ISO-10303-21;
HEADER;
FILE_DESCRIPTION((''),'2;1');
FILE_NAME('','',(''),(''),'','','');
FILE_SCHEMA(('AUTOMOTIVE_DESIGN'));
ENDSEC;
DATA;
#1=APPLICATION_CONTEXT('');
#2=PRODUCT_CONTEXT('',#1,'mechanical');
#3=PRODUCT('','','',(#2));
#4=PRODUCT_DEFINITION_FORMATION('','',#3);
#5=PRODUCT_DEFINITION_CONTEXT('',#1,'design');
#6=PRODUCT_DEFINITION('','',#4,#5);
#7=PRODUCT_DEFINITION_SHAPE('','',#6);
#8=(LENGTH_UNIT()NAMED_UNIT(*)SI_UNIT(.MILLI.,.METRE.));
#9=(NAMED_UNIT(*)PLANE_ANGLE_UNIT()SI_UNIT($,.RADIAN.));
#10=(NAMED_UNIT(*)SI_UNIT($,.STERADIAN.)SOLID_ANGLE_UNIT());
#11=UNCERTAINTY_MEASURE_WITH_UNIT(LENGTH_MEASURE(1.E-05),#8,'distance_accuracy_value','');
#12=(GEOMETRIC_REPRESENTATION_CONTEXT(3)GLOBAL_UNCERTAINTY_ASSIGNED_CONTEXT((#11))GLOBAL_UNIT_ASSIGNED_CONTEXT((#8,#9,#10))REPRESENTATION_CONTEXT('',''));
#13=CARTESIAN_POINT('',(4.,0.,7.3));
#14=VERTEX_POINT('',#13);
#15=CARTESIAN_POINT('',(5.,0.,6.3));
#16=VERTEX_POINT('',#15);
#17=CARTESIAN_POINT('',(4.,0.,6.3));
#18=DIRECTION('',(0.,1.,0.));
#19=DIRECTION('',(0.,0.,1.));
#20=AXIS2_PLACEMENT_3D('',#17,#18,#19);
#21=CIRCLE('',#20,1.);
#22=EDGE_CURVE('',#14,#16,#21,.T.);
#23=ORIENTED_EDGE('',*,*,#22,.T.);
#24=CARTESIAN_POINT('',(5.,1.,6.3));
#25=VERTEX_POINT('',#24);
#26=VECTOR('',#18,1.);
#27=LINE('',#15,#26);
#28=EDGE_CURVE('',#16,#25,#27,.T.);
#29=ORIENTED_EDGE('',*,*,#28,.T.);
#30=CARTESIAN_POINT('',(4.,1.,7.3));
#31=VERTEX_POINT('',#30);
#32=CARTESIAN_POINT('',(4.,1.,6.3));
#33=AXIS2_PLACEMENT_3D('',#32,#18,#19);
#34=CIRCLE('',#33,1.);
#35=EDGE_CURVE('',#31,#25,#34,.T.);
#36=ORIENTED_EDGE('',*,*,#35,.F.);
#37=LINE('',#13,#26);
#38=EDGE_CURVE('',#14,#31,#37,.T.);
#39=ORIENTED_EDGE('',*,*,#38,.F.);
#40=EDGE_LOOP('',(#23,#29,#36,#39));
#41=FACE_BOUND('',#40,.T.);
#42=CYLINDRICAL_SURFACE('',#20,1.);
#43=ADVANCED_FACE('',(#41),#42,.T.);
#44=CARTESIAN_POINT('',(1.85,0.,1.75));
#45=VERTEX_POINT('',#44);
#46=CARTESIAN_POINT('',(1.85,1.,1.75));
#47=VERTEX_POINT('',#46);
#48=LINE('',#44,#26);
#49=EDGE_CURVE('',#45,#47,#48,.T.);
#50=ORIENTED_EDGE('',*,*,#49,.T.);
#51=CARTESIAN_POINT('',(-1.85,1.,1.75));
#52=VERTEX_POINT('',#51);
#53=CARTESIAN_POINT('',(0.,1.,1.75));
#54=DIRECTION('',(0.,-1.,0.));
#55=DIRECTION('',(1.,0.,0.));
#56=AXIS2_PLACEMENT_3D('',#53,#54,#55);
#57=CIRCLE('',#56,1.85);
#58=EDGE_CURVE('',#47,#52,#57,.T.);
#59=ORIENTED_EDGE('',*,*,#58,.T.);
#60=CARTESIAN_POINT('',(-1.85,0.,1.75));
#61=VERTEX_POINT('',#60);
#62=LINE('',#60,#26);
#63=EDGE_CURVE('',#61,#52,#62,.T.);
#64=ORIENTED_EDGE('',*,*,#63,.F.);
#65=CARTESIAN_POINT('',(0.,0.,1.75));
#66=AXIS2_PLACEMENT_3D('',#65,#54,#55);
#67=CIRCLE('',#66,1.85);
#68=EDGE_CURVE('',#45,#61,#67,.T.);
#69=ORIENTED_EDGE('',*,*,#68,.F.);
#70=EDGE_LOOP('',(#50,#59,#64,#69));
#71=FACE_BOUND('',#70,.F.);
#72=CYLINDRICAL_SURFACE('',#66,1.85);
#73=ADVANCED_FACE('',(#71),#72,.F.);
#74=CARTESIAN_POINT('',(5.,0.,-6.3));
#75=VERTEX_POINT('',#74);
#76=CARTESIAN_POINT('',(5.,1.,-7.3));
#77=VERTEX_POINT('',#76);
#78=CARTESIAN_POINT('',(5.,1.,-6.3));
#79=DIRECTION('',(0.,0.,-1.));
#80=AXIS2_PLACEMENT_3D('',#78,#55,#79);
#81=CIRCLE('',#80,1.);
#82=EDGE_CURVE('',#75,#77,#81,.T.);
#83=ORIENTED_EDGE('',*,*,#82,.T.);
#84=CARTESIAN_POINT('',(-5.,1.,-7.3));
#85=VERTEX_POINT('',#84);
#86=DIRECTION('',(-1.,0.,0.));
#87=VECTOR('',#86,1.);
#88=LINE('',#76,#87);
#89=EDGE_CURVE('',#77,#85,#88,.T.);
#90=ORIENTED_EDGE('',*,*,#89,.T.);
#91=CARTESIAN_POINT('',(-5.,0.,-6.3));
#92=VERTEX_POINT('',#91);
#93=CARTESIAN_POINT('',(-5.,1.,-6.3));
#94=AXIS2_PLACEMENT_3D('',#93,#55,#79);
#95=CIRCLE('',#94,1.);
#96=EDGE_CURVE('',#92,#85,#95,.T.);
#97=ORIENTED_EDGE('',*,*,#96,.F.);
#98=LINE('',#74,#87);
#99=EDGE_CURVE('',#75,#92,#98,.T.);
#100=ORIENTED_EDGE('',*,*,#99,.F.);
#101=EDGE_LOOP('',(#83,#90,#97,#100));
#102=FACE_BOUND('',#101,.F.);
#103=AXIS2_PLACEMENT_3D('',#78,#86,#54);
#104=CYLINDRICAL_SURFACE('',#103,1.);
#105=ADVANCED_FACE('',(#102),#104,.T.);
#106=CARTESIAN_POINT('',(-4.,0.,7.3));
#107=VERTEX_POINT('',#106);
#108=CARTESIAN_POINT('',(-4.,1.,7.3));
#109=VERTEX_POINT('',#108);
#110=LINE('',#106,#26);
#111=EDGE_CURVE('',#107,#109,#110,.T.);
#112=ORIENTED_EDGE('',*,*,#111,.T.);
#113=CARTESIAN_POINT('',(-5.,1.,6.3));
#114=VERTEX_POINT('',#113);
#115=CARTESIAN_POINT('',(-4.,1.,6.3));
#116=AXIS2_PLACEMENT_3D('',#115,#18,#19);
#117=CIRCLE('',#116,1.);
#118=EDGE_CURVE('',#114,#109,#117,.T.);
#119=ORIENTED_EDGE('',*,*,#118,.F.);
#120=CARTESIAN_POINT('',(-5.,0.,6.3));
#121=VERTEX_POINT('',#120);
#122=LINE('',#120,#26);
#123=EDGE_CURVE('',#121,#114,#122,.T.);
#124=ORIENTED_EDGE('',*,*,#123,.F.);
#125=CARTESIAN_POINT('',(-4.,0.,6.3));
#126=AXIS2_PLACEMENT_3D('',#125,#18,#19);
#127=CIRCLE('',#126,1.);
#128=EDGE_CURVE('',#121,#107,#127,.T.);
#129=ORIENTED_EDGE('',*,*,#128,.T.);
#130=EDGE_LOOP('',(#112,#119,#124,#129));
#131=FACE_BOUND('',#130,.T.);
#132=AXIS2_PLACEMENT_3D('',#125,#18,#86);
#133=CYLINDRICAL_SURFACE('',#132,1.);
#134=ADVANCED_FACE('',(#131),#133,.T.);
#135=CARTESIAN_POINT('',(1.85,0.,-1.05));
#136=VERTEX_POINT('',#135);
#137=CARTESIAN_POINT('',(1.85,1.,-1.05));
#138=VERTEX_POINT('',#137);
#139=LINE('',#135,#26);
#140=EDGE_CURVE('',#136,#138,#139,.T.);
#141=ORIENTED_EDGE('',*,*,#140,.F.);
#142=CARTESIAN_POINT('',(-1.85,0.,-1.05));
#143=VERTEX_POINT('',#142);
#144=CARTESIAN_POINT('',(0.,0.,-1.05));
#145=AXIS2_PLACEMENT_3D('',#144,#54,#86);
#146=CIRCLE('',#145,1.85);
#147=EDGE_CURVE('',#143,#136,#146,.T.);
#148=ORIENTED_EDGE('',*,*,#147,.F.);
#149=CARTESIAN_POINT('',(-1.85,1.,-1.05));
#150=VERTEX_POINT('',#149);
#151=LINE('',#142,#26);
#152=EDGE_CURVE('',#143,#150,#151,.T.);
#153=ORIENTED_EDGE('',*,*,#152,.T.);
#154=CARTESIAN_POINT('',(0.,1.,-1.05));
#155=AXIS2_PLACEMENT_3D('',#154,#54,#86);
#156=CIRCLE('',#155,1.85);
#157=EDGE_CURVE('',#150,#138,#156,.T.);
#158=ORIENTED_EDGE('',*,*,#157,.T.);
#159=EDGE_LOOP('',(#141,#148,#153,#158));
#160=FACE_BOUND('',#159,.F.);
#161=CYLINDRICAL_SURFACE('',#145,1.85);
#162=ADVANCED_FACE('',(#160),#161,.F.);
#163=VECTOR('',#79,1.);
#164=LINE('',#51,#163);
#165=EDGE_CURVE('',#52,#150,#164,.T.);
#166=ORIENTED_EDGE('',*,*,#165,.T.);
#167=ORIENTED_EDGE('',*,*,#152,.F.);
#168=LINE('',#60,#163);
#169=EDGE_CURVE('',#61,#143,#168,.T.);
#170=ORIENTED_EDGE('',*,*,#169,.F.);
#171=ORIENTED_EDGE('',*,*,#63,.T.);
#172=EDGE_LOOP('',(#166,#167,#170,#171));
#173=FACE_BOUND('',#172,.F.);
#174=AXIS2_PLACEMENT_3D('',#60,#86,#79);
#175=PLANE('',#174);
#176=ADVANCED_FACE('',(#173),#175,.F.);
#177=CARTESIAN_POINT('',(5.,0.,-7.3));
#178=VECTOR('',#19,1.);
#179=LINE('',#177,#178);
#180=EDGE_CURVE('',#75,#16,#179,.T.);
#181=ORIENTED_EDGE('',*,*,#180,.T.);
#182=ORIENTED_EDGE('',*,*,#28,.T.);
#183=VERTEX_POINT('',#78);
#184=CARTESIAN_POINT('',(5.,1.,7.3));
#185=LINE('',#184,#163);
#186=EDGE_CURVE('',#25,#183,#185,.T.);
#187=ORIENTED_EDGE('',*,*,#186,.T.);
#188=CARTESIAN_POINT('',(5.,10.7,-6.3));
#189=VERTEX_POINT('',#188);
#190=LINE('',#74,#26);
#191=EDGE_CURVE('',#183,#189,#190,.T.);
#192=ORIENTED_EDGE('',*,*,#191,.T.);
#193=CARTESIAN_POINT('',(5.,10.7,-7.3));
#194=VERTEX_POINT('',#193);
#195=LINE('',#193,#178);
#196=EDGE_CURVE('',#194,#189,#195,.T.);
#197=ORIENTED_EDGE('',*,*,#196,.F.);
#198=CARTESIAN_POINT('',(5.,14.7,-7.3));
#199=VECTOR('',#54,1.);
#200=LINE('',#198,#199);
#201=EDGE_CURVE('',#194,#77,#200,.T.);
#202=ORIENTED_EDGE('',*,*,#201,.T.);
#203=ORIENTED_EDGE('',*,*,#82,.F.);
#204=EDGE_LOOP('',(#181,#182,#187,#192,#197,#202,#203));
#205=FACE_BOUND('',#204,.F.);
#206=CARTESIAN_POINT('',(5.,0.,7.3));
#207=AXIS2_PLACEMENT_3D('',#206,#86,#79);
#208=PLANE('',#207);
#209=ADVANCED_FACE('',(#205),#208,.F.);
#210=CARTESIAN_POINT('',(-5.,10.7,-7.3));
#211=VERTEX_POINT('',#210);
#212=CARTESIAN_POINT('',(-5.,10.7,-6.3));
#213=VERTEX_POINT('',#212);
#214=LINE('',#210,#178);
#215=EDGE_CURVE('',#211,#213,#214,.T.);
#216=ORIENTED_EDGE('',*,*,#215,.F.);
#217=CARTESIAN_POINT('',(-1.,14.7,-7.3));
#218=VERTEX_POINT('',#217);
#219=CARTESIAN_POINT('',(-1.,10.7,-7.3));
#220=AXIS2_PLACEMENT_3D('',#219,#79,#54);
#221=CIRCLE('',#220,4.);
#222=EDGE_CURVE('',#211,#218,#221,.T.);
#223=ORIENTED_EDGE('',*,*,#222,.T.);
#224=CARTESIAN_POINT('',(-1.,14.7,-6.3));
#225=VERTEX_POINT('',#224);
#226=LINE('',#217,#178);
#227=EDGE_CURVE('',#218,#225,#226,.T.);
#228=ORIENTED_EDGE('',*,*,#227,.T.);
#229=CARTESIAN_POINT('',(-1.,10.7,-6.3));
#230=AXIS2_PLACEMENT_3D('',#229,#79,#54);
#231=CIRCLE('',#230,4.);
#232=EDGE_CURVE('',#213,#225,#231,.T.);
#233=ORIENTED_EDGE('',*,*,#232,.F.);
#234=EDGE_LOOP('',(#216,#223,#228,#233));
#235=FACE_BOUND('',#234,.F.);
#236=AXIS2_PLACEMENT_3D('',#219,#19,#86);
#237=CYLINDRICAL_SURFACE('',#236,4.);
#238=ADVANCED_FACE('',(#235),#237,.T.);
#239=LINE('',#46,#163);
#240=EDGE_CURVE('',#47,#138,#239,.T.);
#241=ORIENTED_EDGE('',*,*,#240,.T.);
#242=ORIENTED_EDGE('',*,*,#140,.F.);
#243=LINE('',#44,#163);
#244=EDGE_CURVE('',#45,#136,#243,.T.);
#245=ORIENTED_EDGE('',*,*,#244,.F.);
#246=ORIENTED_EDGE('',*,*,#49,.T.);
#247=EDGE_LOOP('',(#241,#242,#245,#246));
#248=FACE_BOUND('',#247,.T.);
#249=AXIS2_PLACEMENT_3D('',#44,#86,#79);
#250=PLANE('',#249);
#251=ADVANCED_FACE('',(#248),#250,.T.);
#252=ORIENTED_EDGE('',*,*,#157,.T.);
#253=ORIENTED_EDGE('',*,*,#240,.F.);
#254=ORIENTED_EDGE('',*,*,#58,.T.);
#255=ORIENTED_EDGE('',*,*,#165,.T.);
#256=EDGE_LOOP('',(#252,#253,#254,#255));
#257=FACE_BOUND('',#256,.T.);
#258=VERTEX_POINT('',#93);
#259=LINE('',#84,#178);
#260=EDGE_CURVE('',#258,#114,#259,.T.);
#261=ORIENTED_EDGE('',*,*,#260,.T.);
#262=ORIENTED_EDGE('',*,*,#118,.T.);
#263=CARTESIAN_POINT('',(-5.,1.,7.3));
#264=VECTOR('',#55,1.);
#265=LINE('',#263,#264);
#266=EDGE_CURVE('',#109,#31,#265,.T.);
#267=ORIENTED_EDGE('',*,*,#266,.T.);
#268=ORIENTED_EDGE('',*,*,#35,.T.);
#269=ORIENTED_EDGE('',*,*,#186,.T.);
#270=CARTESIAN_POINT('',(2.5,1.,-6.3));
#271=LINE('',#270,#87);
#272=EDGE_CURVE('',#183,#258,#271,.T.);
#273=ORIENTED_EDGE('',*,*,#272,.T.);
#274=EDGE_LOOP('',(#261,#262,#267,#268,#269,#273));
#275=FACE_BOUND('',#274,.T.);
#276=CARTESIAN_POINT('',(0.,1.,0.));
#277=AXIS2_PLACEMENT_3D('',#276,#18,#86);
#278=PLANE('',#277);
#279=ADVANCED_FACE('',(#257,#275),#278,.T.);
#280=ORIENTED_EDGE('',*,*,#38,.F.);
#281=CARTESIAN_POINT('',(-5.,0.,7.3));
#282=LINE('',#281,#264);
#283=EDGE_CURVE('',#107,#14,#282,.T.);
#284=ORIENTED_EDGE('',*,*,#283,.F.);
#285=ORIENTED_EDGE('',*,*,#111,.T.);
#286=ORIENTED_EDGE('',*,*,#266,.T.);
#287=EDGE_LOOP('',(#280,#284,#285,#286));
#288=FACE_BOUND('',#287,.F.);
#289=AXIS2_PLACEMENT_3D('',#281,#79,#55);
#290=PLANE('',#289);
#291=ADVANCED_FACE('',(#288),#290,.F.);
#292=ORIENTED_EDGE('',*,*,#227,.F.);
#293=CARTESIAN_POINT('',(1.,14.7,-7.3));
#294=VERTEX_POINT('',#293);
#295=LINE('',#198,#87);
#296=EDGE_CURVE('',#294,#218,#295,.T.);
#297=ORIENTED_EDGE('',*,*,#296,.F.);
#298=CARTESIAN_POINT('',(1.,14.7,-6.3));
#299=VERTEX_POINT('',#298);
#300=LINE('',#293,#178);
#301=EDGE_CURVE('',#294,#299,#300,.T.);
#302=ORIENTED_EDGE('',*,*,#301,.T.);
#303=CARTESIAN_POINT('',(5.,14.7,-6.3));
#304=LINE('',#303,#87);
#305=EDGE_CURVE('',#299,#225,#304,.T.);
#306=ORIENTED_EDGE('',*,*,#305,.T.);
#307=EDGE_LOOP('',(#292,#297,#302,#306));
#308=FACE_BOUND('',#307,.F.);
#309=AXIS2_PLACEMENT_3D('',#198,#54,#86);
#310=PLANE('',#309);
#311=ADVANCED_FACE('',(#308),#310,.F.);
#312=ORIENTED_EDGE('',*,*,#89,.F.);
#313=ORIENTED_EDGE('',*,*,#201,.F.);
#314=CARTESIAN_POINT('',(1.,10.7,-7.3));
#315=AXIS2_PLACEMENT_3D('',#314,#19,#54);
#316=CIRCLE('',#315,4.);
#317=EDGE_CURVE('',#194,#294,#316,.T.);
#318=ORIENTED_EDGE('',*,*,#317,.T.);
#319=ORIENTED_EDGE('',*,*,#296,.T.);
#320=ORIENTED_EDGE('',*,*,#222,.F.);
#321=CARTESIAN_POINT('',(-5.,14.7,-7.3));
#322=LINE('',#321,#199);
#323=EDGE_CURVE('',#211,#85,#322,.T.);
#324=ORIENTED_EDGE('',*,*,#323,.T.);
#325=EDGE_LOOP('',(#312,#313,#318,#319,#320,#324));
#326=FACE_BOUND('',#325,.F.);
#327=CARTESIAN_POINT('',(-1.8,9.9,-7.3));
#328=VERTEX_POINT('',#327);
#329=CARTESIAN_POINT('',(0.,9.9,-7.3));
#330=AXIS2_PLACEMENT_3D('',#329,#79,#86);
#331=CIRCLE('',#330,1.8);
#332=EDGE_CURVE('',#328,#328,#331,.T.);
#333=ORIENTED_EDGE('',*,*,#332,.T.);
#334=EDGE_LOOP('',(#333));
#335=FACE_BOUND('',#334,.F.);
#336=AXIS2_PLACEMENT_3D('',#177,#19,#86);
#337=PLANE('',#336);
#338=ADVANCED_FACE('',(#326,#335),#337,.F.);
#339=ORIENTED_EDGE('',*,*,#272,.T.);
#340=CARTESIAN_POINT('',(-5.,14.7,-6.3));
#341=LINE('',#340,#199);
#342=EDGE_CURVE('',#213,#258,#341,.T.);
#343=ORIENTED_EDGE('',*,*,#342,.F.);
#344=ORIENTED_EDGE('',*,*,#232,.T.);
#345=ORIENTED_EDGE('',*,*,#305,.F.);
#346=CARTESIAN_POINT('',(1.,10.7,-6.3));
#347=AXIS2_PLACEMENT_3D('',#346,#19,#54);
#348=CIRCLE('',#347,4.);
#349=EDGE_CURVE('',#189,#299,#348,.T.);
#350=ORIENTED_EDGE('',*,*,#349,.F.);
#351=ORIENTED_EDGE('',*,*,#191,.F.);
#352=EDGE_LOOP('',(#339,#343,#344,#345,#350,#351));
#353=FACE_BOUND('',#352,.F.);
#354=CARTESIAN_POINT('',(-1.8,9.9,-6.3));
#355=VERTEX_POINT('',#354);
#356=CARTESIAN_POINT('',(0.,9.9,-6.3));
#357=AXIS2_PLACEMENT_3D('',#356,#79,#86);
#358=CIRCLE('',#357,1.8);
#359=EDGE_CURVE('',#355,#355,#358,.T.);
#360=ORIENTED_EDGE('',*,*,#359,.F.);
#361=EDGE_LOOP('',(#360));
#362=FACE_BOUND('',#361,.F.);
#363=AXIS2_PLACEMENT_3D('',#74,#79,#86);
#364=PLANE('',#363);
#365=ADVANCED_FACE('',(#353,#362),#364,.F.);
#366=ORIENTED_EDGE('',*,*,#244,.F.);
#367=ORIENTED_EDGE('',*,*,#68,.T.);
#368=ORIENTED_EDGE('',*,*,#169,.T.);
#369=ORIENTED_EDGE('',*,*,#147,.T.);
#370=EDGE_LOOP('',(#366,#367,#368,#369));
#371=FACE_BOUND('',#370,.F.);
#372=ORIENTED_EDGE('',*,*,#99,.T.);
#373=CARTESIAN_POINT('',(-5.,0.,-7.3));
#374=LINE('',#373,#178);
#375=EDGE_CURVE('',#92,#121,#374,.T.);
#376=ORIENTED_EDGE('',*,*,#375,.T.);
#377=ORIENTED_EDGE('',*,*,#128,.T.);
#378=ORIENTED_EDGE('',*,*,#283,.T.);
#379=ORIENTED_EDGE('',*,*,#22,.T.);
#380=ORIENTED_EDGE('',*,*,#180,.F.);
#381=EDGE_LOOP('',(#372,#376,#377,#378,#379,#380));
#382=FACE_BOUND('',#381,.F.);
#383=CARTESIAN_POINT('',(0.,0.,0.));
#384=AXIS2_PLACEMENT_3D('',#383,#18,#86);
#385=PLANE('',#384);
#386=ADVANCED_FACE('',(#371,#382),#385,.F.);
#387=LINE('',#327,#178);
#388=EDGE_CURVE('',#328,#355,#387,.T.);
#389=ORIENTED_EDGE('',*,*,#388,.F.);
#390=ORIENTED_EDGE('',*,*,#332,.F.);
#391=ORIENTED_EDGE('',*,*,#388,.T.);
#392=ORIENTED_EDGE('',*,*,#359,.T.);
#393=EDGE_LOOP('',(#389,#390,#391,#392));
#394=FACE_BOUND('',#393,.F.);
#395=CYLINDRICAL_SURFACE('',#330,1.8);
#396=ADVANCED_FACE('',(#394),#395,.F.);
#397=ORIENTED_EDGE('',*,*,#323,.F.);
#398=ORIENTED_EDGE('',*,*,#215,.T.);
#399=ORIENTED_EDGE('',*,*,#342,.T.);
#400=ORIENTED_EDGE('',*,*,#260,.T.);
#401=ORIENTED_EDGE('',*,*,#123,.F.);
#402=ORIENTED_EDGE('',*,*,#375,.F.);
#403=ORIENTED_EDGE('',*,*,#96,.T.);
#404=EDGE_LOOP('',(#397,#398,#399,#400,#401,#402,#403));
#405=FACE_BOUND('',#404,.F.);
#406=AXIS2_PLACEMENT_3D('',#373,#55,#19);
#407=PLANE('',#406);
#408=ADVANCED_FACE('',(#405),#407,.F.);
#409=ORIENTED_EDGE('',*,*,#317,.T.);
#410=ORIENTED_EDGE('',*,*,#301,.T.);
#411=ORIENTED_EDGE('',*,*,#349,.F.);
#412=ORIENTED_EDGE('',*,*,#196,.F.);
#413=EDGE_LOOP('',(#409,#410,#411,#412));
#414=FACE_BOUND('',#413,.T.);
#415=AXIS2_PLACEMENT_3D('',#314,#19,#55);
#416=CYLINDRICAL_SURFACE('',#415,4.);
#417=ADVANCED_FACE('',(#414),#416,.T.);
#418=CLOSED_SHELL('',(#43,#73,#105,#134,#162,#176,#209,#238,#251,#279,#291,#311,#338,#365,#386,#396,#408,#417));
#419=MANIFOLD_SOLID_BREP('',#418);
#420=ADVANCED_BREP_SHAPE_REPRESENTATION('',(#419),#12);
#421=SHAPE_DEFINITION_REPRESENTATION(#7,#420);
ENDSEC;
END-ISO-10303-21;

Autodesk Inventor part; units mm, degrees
ref_plane "YZ Plane" through (0, 0, 0) normal (1, 0, 0) x (0, 1, 0)
ref_plane "XZ Plane" through (0, 0, 0) normal (0, 1, 0) x (-1, 0, 0)
ref_plane "XY Plane" through (0, 0, 0) normal (0, 0, 1) x (1, 0, 0)
sketch "Sketch1" plane through (0, 0, 0) normal (0, 1, 0) x (-1, 0, 0)
  line L0 (5, 7.3) -> (-5, 7.3)
  line L1 (-5, 7.3) -> (-5, -7.3)
  line L2 (-5, -7.3) -> (5, -7.3)
  line L3 (5, -7.3) -> (5, 7.3)
  line L4 (5, 7.3) -> (-5, -7.3) construction
  line L5 (-5, 7.3) -> (5, -7.3) construction
  point P0 (0, 0)
  dimension "d0" = 10
  dimension "d1" = 14.6
extrude "Extrusion1" add sketch "Sketch1" along normal blind 1
sketch "Sketch2" plane through (5, 0, -7.3) normal (0, 0, -1) x (-1, 0, 0)
  line L0 (0, 0) -> (10, 0) projected
  line L1 (0, 0) -> (0, 14.7)
  line L2 (0, 14.7) -> (10, 14.7)
  line L3 (10, 14.7) -> (10, 0)
  point P0 (5, 0)
  dimension "d4" = 14.7
extrude "Extrusion2" add sketch "Sketch2" against normal blind 1
fillet "Fillet1" radius 4 2 edges at (5, 14.7, -6.8) (-5, 14.7, -6.8)
fillet "Fillet2" radius 1 2 edges at (-5, 0.5, 7.3) (5, 0.5, 7.3)
fillet "Fillet3" radius 1 1 edges at (0, 0, -7.3)
sketch "Sketch3" plane through (1, 14.7, -7.3) normal (0, 0, -1) x (-1, 0, 0)
  circle A0 centre (1, -4.8) radius 1.8
  line L0 (-4, -13.7) -> (-4, -4) projected
  line L1 (1, -3) -> (2.7418, -3) construction
  line L2 (2, 0) -> (0, 0) construction
  point P0 (1, -14.7)
  dimension "d12" = 3.6
  dimension "d10" = 5
  dimension "d11" = 3
extrude "Extrusion3" cut sketch "Sketch3" against normal blind 1
sketch "Sketch4" plane through (0, 0, 0) normal (0, -1, 0) x (1, 0, 0)
  line L0 (5, 6.3) -> (5, -6.3) projected
  line L1 (0, 3.6) -> (1.5693, 3.6) construction
  line L2 (-4, 7.3) -> (4, 7.3) projected
  line L3 (0, -2.9) -> (1.85, -2.9) construction
  line L4 (1.85, 1.75) -> (1.85, -1.05)
  line L5 (-1.85, 1.75) -> (-1.85, -1.05)
  arc A0 (1.85, 1.75) -> (-1.85, 1.75) centre (0, 1.75) ccw
  arc A1 (-1.85, -1.05) -> (1.85, -1.05) centre (0, -1.05) ccw
  line L6 (-5, -6.3) -> (-5, 6.3) projected
  point P0 (0, 0)
  dimension "d16" = 5
  dimension "d17" = 3.7
  dimension "d19" = 6.5
  dimension "d20" = 3.15
  dimension "d21" = 3.15
extrude "Extrusion4" cut sketch "Sketch4" against normal blind 1
properties part number "angle bracket short"
